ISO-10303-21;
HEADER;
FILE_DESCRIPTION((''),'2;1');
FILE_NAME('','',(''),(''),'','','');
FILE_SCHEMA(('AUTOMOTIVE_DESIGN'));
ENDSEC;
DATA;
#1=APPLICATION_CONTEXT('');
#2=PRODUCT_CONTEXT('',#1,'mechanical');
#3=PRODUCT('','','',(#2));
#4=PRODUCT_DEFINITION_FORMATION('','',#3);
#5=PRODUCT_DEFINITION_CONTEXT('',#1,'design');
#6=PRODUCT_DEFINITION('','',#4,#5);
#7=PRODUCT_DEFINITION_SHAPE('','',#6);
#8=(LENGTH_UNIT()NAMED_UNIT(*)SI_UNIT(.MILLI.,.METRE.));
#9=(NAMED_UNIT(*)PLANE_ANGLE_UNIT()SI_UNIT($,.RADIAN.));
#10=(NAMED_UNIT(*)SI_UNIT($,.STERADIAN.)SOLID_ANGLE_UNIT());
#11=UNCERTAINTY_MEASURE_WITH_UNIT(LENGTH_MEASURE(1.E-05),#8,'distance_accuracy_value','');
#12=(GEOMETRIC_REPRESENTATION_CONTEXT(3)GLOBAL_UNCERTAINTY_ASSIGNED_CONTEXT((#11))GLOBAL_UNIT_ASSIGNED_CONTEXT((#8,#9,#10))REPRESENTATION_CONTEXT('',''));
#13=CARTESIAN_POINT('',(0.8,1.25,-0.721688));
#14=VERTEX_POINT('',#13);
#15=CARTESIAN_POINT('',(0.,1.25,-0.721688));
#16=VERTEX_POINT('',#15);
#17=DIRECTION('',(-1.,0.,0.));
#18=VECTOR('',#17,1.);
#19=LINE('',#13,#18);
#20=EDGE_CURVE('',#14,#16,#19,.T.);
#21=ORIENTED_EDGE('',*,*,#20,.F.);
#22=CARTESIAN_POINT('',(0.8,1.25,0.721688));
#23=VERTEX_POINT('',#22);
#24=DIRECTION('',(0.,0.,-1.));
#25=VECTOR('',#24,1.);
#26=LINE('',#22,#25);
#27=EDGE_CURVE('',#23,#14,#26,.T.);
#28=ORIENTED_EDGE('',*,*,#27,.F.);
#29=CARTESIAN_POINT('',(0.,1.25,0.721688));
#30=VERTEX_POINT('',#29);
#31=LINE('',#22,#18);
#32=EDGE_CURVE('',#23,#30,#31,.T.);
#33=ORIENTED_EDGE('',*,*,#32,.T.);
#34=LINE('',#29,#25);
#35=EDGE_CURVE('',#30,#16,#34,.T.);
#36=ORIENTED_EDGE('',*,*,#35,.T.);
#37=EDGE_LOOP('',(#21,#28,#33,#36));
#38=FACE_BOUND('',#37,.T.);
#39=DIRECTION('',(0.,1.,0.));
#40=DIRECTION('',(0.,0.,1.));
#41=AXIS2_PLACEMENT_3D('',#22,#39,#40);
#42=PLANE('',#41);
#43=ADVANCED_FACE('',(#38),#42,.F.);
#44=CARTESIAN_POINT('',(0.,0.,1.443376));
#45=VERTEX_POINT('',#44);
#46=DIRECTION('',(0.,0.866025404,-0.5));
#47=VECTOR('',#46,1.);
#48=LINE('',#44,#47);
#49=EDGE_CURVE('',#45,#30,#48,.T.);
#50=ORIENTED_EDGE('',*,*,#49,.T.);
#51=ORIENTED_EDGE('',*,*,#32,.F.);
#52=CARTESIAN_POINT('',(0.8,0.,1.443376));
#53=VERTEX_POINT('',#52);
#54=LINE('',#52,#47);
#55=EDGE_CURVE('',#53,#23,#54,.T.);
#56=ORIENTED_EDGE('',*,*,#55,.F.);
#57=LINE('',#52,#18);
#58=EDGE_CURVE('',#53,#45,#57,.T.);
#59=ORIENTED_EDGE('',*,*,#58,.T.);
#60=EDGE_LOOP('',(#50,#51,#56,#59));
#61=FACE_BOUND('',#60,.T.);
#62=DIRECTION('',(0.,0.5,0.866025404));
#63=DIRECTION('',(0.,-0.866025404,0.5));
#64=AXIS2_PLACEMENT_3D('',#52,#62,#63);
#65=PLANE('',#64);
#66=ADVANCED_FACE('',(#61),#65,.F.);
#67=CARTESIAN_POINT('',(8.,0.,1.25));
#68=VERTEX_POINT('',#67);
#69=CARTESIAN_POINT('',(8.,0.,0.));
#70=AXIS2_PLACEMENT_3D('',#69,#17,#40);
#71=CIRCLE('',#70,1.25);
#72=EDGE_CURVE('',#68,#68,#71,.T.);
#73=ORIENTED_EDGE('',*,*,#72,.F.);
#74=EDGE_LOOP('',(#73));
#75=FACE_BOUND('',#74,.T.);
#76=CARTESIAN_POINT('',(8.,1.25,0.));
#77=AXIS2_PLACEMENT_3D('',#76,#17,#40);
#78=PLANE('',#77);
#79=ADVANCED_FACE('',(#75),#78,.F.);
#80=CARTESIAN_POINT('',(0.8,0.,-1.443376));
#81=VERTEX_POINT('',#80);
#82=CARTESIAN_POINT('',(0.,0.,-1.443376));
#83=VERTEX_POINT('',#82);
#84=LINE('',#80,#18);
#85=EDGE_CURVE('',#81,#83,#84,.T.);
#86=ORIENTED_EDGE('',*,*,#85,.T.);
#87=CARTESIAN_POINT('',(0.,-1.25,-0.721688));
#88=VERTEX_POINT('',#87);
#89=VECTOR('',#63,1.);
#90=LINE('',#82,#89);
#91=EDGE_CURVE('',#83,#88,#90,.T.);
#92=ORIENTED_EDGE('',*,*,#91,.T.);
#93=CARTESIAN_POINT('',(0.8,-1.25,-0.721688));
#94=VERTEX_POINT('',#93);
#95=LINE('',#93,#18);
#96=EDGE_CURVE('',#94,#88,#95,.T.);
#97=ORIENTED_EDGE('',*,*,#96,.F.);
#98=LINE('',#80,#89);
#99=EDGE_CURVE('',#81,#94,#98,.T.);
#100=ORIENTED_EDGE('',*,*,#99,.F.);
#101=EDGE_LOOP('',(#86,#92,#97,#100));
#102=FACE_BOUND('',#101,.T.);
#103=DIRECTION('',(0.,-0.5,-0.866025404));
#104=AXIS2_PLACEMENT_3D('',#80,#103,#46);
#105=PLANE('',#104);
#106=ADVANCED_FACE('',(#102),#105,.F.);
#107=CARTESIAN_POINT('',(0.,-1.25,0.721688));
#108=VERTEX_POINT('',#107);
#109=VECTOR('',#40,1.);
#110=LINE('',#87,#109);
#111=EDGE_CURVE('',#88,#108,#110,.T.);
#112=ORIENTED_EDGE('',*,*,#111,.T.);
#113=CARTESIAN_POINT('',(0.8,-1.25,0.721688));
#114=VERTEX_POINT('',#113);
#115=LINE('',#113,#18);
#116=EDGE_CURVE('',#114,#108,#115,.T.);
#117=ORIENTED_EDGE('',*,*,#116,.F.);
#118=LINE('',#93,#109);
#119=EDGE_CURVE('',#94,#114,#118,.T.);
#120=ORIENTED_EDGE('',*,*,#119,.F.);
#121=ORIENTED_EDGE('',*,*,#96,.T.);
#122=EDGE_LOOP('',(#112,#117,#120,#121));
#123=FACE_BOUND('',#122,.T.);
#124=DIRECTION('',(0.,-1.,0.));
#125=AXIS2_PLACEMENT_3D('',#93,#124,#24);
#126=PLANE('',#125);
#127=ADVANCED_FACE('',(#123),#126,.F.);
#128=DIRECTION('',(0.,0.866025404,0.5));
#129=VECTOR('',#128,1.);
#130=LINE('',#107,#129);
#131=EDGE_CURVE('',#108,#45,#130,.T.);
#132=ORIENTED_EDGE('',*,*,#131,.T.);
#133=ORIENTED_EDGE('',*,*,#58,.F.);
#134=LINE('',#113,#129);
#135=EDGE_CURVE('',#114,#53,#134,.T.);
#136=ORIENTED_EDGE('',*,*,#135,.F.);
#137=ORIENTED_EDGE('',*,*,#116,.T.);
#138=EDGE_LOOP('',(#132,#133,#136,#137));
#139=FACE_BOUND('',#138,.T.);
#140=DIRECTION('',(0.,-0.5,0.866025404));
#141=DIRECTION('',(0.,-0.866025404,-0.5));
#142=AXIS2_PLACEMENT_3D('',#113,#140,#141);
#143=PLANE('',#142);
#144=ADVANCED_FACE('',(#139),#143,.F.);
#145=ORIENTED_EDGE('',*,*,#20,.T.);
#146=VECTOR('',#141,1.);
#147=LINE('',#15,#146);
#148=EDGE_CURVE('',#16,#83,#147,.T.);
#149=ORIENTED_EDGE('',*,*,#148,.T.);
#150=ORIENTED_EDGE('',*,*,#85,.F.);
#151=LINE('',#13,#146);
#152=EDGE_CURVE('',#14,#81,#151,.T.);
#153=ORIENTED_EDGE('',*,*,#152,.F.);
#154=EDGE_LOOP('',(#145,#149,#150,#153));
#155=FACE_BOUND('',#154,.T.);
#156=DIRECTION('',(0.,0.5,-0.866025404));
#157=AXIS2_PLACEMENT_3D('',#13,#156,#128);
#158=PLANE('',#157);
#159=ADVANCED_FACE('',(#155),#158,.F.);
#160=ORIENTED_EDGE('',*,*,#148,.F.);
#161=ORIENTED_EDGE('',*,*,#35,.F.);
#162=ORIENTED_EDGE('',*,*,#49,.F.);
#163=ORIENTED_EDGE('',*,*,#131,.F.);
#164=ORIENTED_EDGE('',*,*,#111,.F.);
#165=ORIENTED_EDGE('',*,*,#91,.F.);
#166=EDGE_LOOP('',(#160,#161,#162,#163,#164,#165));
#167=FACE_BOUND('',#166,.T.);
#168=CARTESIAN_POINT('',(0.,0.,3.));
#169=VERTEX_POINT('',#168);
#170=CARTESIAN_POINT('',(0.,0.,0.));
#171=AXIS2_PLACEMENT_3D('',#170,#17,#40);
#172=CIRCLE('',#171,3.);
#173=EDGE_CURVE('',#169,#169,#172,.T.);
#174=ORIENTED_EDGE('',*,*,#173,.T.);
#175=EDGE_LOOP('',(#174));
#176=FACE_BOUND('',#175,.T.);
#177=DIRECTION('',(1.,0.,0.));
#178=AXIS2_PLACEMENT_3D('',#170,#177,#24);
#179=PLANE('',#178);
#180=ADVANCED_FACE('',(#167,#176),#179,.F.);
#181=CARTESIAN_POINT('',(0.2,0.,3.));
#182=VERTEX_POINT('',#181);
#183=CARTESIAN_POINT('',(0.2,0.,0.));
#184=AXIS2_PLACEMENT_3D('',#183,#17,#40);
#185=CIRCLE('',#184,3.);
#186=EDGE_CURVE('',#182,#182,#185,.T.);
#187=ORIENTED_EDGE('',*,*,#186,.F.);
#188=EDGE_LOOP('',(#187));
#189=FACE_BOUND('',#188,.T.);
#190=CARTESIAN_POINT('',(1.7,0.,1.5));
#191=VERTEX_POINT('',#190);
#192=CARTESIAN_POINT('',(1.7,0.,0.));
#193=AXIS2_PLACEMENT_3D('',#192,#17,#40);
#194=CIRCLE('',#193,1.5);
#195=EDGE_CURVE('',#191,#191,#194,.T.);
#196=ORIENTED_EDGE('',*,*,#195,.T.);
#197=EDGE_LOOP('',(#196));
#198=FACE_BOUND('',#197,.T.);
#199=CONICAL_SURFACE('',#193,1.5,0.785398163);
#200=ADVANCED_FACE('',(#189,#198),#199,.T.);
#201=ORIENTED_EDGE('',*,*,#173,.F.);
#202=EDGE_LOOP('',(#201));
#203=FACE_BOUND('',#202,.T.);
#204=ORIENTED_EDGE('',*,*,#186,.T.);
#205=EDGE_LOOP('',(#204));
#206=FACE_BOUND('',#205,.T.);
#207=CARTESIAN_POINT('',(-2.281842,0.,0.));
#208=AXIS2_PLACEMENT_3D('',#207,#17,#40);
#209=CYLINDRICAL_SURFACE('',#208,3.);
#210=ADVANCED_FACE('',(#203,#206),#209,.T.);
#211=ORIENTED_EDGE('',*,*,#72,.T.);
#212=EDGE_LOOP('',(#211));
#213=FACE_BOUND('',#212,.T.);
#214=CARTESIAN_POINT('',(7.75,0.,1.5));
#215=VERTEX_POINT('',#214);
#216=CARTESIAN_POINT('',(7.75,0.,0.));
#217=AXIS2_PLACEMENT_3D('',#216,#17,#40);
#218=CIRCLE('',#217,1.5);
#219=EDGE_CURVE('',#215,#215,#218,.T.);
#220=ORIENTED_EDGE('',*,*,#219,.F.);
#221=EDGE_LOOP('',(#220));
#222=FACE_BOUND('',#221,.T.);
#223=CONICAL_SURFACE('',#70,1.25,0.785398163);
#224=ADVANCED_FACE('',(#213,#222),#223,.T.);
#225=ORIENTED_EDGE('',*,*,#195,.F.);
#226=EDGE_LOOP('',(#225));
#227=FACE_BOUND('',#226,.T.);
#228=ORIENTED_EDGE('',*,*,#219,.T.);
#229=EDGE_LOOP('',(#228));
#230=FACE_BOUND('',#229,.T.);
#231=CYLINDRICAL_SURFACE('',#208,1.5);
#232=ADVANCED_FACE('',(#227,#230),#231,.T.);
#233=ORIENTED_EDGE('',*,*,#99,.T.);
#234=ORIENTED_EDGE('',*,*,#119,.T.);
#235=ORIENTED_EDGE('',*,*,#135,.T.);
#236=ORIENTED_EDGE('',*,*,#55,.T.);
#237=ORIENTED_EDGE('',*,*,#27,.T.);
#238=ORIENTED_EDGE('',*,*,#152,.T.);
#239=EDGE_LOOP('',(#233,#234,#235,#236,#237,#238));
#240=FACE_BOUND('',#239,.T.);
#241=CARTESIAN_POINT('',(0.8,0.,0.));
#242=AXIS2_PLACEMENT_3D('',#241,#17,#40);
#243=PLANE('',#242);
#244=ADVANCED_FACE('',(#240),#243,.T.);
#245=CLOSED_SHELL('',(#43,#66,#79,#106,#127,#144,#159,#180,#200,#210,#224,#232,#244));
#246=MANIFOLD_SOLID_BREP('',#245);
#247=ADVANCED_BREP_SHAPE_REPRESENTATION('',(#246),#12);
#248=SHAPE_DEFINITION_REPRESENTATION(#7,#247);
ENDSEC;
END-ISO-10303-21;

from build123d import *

# Parameters (mm, degrees)
CUT_EXTRUDE1_DEPTH = 0.8


with BuildPart() as part:
    # Sketch2 → Revolve1 (revolve)
    with BuildSketch(Plane.XY):
        Polygon((0, 0), (0, 3), (0.2, 3), (1.7, 1.5), (7.75, 1.5), (8, 1.25), (8, 0), align=None)
    revolve(axis=Axis((-2.281841559, 0, 0), (1, 0, 0)))

    # Sketch3 → Cut-Extrude1 (cut)
    with BuildSketch(Plane.ZY):
        Polygon((0.721687836, -1.25), (1.443375673, 0), (0.721687836, 1.25), (-0.721687836, 1.25), (-1.443375673, 0), (-0.721687836, -1.25), align=None)
    extrude(amount=-CUT_EXTRUDE1_DEPTH, mode=Mode.SUBTRACT)


solid = part.part
